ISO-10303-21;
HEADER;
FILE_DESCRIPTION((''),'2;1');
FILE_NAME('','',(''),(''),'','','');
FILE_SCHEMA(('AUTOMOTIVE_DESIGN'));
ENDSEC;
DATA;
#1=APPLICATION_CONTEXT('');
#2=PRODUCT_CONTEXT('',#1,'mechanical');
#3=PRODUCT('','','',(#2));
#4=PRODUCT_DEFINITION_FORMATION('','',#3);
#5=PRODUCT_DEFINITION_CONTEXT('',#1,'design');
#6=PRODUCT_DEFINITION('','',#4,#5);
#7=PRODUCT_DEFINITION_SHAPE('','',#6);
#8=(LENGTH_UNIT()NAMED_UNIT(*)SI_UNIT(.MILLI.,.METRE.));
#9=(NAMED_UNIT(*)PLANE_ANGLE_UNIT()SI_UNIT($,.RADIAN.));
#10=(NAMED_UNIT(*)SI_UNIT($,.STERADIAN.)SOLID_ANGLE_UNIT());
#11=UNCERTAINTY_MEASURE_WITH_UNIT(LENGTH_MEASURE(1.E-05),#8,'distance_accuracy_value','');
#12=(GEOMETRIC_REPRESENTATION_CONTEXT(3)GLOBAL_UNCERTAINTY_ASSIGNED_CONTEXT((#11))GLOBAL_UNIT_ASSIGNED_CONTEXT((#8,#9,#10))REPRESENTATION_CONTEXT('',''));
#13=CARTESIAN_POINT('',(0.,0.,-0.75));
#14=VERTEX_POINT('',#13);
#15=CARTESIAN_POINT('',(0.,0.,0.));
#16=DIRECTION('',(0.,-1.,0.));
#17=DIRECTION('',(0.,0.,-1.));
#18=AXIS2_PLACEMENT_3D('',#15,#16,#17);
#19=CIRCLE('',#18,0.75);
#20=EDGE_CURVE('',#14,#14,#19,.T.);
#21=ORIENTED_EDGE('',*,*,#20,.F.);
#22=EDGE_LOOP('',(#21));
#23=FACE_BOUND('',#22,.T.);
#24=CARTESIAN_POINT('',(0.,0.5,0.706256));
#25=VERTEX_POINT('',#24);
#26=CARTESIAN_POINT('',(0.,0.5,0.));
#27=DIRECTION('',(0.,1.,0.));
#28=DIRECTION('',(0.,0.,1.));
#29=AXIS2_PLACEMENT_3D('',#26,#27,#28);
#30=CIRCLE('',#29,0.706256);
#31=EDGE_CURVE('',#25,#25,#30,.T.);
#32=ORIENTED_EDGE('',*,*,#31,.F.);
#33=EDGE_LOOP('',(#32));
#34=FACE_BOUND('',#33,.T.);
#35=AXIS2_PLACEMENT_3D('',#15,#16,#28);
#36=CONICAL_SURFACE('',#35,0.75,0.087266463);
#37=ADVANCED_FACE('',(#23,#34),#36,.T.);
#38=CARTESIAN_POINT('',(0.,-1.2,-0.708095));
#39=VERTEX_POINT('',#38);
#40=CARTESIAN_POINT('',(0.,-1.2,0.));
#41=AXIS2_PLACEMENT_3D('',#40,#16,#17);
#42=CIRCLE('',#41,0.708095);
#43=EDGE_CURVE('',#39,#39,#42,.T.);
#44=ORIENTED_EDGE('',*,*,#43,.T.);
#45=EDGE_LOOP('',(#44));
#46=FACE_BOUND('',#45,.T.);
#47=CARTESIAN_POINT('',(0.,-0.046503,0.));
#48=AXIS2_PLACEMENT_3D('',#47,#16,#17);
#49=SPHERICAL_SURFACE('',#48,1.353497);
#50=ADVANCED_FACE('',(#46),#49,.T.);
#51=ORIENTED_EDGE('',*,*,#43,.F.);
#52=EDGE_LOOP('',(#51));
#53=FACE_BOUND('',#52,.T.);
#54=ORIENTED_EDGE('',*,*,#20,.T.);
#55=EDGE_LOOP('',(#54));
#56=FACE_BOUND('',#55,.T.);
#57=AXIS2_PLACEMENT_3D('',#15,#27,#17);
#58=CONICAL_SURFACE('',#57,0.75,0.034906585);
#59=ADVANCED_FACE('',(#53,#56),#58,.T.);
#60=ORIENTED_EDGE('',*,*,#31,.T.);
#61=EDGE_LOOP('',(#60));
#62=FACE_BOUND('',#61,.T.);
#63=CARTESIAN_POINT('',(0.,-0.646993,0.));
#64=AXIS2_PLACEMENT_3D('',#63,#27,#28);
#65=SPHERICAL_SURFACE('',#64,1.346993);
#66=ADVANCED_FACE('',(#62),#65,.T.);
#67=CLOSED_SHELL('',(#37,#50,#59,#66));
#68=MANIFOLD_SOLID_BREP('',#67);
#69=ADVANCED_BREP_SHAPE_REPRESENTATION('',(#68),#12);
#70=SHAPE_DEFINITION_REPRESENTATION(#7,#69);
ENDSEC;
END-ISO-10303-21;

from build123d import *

# Parameters (mm, degrees)
SKETCH1_R           = 0.75
BOSS_EXTRUDE1_DEPTH = 0.5
BOSS_EXTRUDE1_TAPER = 5
DOME1_FACE_RADIUS   = 0.706255668
DOME1_HEIGHT        = 0.2
SKETCH2_R           = 0.75
BOSS_EXTRUDE2_DEPTH = 1.2
BOSS_EXTRUDE2_TAPER = 2
DOME3_FACE_RADIUS   = 0.708095077
DOME3_HEIGHT        = 0.2


with BuildPart() as part:
    # Sketch1 → Boss-Extrude1 (new body)
    with BuildSketch(Plane(origin=(0, 0, 0), x_dir=(1, 0, 0), z_dir=(0, 1, 0))):
        Circle(SKETCH1_R)
    extrude(amount=BOSS_EXTRUDE1_DEPTH, taper=BOSS_EXTRUDE1_TAPER)

    # Dome1: a dome of height H over a round flat face of radius A is a cap of a sphere of radius (A * A + H * H) / (2 * H)
    dome1_r = (DOME1_FACE_RADIUS * DOME1_FACE_RADIUS + DOME1_HEIGHT * DOME1_HEIGHT) / (2 * DOME1_HEIGHT)
    dome1_base = Plane((0, 0.5, 0), z_dir=(0, 1, 0))
    with Locations(dome1_base.offset(DOME1_HEIGHT - dome1_r)):
        dome1_ball = Sphere(dome1_r, mode=Mode.PRIVATE)
    add(split(dome1_ball, bisect_by=dome1_base, keep=Keep.TOP, mode=Mode.PRIVATE))

    # Sketch2 → Boss-Extrude2 (add)
    with BuildSketch(Plane.XZ):
        Circle(SKETCH2_R)
    extrude(amount=BOSS_EXTRUDE2_DEPTH, taper=BOSS_EXTRUDE2_TAPER)

    # Dome3: a dome of height H over a round flat face of radius A is a cap of a sphere of radius (A * A + H * H) / (2 * H)
    dome3_r = (DOME3_FACE_RADIUS * DOME3_FACE_RADIUS + DOME3_HEIGHT * DOME3_HEIGHT) / (2 * DOME3_HEIGHT)
    dome3_base = Plane((0, -1.2, 0), z_dir=(0, -1, 0))
    with Locations(dome3_base.offset(DOME3_HEIGHT - dome3_r)):
        dome3_ball = Sphere(dome3_r, mode=Mode.PRIVATE)
    add(split(dome3_ball, bisect_by=dome3_base, keep=Keep.TOP, mode=Mode.PRIVATE))


solid = part.part
